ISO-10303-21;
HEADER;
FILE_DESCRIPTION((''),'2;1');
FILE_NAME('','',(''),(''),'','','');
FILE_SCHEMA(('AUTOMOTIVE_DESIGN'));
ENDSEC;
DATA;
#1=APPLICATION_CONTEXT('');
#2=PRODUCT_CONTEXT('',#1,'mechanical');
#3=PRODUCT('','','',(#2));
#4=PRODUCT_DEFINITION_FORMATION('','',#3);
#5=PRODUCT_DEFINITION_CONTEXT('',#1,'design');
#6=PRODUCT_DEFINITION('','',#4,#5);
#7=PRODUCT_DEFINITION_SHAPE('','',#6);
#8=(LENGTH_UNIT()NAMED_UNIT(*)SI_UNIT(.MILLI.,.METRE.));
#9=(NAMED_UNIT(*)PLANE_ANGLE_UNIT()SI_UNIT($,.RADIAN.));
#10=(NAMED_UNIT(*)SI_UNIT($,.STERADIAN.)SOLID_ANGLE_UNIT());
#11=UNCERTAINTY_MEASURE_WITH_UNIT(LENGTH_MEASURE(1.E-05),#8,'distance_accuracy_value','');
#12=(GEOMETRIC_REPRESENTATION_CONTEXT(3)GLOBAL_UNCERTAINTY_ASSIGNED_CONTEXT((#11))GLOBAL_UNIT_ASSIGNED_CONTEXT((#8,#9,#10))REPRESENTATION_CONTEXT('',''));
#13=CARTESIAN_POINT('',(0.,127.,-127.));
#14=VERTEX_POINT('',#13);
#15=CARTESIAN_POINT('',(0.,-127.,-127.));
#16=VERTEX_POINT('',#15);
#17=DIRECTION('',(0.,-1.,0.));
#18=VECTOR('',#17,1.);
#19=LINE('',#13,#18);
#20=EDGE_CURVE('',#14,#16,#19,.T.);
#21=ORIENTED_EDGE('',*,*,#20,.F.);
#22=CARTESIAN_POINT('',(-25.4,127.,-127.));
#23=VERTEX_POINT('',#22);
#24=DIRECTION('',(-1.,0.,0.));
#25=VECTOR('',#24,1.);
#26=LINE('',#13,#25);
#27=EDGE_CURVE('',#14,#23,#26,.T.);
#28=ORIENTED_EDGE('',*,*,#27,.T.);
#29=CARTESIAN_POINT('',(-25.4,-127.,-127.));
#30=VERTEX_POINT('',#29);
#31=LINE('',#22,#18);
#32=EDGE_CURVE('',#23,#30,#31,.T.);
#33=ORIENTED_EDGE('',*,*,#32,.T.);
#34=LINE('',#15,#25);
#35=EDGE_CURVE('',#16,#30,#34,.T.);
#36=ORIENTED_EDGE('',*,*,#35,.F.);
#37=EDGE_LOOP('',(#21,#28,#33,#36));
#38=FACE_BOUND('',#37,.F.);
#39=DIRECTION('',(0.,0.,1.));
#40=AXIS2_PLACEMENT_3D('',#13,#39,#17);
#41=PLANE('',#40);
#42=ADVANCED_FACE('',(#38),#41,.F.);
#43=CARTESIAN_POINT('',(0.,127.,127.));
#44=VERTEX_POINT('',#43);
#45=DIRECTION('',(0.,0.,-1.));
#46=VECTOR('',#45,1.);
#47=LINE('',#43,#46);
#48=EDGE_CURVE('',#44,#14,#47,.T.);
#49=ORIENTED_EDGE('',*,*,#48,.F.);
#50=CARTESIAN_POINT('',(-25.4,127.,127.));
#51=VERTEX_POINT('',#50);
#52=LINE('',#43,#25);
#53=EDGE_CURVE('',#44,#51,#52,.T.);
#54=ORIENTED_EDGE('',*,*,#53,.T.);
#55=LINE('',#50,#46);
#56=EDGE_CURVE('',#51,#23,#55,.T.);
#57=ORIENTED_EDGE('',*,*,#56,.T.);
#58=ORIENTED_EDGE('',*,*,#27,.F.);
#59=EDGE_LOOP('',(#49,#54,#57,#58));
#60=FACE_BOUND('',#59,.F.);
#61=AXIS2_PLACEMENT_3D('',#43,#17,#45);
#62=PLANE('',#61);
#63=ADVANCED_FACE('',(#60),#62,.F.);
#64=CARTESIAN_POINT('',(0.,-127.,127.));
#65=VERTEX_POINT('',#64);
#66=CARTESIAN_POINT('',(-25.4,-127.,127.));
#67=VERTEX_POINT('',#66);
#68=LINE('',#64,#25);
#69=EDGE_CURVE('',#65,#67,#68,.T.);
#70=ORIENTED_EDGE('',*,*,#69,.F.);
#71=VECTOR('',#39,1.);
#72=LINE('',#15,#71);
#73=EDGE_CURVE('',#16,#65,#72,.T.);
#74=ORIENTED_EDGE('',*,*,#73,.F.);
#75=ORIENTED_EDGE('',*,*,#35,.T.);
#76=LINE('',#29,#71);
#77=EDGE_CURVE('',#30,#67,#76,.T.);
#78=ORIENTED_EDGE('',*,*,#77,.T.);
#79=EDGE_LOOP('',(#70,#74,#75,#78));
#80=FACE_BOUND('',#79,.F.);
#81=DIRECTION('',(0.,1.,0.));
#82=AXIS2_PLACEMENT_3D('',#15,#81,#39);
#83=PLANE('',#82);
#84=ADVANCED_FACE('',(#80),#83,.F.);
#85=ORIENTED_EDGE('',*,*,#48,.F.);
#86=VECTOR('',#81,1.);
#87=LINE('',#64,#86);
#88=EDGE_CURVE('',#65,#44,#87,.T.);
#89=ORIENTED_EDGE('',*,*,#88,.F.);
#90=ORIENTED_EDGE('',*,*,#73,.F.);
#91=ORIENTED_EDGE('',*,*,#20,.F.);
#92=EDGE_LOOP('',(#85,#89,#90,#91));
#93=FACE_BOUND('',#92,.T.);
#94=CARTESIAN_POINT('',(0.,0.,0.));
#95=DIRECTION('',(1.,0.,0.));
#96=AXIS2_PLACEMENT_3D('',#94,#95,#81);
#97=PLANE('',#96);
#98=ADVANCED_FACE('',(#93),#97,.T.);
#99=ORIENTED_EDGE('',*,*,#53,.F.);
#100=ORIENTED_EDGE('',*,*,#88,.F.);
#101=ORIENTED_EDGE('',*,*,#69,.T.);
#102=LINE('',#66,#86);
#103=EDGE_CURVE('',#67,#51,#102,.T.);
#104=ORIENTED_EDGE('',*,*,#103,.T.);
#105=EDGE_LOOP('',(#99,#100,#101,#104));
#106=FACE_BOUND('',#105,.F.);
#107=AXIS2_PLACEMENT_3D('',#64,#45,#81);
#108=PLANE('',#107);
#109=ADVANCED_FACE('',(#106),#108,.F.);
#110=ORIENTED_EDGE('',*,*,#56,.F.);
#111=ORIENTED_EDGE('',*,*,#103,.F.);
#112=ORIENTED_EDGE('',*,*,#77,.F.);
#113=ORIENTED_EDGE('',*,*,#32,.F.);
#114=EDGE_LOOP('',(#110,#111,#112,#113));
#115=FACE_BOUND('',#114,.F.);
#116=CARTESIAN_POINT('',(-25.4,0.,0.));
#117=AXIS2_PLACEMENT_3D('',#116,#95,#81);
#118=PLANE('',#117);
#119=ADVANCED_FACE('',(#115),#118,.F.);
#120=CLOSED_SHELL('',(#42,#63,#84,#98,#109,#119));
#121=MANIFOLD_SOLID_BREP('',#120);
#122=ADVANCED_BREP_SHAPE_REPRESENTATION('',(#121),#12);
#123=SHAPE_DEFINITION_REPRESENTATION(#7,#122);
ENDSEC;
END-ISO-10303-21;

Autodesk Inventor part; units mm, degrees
ref_plane "YZ Plane" through (0, 0, 0) normal (1, 0, 0) x (0, 1, 0)
ref_plane "XZ Plane" through (0, 0, 0) normal (0, 1, 0) x (-1, 0, 0)
ref_plane "Left Side" through (0, 0, 127) normal (0, 0, 1) x (1, 0, 0)
sketch "Sketch1" plane through (0, 0, 0) normal (1, 0, 0) x (0, 1, 0)
  line L0 (-127, 127) -> (127, 127)
  line L1 (127, 127) -> (127, -127)
  line L2 (127, -127) -> (-127, -127)
  line L3 (-127, -127) -> (-127, 127)
  line L4 (-127, 127) -> (127, -127) construction
  line L5 (127, 127) -> (-127, -127) construction
  point P0 (0, 0)
  dimension "d0" = 254
  dimension "d1" = 254
extrude "Plate" add sketch "Sketch1" against normal blind 25.4
properties part number "hole2025"
